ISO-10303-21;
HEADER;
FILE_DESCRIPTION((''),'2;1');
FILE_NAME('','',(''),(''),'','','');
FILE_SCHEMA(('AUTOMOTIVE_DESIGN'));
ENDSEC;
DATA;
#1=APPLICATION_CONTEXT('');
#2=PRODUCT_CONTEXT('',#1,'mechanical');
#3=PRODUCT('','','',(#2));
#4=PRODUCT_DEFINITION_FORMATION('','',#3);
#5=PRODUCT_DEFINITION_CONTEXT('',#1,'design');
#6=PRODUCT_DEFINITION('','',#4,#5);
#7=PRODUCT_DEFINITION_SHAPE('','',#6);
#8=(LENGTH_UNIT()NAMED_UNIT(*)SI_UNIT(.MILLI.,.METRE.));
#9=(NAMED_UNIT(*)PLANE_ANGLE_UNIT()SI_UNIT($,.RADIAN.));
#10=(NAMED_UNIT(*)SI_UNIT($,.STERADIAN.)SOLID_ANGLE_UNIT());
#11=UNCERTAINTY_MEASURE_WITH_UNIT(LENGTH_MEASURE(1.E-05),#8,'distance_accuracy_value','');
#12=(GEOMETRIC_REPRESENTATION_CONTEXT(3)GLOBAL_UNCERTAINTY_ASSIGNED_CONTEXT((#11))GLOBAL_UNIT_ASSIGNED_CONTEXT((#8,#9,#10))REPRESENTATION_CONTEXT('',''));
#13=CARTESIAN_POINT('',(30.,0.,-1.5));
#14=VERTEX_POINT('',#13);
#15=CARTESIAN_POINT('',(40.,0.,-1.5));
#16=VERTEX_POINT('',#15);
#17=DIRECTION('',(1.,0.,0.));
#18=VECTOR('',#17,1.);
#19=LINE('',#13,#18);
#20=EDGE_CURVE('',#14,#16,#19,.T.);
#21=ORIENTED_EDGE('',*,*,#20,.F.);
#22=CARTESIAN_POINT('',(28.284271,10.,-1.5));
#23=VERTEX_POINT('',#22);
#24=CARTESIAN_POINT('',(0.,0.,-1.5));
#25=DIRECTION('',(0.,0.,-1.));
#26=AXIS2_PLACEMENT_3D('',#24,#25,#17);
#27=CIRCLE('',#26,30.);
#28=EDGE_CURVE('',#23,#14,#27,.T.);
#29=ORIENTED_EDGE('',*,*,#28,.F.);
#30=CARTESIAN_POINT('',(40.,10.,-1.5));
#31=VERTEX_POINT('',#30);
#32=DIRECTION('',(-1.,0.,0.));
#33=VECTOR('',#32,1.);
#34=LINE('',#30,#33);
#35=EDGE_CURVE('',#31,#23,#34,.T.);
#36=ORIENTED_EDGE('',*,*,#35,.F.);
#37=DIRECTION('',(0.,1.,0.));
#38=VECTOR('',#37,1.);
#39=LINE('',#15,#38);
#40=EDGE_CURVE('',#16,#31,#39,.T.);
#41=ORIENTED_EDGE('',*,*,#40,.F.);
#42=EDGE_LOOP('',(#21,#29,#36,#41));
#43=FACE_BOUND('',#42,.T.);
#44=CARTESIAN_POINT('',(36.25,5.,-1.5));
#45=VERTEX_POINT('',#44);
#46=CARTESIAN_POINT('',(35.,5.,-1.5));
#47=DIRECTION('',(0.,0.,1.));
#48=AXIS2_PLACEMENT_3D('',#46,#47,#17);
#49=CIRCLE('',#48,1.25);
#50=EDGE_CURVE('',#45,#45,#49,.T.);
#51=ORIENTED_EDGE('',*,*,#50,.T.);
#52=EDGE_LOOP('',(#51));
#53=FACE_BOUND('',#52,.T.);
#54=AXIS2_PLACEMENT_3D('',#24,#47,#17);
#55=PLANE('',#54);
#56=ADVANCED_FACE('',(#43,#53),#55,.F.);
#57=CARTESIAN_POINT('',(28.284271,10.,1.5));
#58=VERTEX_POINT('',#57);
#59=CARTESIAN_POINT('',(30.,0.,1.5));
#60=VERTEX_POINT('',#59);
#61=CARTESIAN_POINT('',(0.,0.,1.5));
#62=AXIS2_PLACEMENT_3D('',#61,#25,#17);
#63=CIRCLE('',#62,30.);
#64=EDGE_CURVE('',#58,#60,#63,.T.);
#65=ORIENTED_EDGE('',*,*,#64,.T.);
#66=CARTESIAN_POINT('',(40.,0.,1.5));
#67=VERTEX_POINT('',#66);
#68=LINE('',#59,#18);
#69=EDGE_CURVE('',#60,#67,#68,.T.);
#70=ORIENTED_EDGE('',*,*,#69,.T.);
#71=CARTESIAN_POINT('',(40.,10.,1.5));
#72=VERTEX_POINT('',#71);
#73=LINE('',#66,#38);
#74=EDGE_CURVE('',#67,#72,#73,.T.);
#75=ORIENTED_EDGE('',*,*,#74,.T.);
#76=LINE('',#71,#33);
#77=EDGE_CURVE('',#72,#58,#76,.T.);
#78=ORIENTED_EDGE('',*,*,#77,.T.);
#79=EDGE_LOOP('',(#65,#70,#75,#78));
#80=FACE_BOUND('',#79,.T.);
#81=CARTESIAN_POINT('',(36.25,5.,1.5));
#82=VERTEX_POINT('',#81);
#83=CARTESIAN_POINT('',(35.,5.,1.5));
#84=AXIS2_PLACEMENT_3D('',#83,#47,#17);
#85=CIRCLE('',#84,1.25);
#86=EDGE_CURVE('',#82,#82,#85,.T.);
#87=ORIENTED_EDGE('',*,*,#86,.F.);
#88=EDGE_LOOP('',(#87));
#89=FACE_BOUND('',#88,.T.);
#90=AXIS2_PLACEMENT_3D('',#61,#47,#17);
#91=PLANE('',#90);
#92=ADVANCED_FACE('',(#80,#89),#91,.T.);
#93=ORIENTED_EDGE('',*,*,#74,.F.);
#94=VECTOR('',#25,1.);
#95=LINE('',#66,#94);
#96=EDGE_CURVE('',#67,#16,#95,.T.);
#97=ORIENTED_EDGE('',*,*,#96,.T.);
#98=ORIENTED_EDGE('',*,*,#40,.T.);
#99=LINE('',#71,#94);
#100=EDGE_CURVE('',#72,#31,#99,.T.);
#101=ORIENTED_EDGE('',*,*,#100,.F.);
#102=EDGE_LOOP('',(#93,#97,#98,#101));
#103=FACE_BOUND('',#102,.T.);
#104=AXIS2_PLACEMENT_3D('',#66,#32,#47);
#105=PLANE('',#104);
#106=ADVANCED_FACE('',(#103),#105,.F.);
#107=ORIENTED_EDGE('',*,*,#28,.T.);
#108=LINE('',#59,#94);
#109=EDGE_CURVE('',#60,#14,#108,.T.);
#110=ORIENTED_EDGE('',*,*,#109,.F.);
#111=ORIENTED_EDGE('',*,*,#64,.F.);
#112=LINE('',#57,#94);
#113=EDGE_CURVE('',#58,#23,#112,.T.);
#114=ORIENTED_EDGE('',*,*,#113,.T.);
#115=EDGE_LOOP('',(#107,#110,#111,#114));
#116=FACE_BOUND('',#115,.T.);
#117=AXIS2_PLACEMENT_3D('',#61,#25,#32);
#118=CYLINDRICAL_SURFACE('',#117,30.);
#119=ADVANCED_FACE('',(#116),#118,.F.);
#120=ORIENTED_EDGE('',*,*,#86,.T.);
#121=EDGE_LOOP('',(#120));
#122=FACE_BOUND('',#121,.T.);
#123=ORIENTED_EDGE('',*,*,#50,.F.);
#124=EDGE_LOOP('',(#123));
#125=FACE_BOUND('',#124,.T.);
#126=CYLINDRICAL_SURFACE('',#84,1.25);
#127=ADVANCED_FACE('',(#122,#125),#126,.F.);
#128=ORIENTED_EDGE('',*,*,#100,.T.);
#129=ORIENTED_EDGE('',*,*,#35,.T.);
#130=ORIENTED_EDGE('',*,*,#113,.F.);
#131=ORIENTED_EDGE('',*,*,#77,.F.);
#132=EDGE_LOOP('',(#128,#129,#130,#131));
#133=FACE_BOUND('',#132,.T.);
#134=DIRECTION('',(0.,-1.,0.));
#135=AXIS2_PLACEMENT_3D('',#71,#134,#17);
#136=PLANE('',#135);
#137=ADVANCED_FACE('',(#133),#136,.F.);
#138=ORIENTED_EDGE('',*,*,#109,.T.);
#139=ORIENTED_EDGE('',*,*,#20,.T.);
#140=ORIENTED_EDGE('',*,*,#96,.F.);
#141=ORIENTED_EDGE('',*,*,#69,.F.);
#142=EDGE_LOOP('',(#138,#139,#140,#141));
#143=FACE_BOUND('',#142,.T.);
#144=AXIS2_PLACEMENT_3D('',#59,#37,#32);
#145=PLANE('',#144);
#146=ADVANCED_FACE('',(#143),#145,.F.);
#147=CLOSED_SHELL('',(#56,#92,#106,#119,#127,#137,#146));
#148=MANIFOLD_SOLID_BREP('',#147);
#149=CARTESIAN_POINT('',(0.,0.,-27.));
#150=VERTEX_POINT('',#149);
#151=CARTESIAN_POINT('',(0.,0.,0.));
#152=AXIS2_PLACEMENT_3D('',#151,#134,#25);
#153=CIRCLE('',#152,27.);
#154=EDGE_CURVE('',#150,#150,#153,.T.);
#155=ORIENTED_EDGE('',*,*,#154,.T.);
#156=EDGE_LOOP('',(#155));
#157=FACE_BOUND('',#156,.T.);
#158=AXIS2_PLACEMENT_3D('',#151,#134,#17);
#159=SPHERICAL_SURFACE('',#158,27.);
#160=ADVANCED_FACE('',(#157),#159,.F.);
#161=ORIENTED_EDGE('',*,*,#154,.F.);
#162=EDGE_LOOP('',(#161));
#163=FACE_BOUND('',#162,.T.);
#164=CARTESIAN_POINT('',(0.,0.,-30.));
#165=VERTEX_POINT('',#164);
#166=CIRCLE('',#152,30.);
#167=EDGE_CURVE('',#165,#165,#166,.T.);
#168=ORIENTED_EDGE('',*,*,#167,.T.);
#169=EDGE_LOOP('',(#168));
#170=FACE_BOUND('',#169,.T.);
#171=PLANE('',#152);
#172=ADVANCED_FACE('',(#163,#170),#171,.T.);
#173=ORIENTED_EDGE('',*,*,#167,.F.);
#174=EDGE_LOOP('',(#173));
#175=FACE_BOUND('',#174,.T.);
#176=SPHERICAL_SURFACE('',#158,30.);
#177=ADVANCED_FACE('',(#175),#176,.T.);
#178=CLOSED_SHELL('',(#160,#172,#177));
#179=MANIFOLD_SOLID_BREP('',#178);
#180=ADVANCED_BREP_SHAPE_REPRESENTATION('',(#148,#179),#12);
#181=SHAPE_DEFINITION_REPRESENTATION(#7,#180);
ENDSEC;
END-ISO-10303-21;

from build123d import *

# Parameters (mm, degrees)
SHELL2_T            = -3
BOSS_EXTRUDE1_DEPTH = 1.5
SKETCH5_W           = 1.25
SKETCH5_H           = 31.5


with BuildPart() as part:
    # Sketch2 → Revolve1 (revolve)
    with BuildSketch(Plane.XY):
        with BuildLine():
            Line((0, 0), (0, 30))
            ThreePointArc((0, 30), (21.213203436, 21.213203436), (30, 0))
            Line((30, 0), (0, 0))
        make_face()
    revolve(axis=Axis((0, 0, 0), (0, 1, 0)))

    # Shell2
    shell2_openings = [part.faces().sort_by_distance(p)[0] for p in [
        (0, 0, 0),
    ]]
    offset(amount=SHELL2_T, openings=shell2_openings, kind=Kind.INTERSECTION)


with BuildPart() as body_2:
    # Sketch4 → Boss-Extrude1 (new, symmetric)
    with BuildSketch(Plane.XY):
        with BuildLine():
            Line((30, 0), (40, 0))
            Line((40, 0), (40, 10))
            Line((40, 10), (28.284271247, 10))
            ThreePointArc((28.284271247, 10), (29.56795679, 5.073059362), (30, 0))
        make_face()
    extrude(amount=BOSS_EXTRUDE1_DEPTH, both=True)

    # Sketch5 → M3 Tapped Hole1 (revolve, cut)
    with BuildSketch(Plane(origin=(35, 5, 1.5), x_dir=(0, -1, 0), z_dir=(1, 0, 0))):
        with Locations((0.625, 15.75)):
            Rectangle(SKETCH5_W, SKETCH5_H)
    revolve(axis=Axis((35, 5, 7.85), (0, 0, -1)), mode=Mode.SUBTRACT)


solid = Compound([part.part, body_2.part])
